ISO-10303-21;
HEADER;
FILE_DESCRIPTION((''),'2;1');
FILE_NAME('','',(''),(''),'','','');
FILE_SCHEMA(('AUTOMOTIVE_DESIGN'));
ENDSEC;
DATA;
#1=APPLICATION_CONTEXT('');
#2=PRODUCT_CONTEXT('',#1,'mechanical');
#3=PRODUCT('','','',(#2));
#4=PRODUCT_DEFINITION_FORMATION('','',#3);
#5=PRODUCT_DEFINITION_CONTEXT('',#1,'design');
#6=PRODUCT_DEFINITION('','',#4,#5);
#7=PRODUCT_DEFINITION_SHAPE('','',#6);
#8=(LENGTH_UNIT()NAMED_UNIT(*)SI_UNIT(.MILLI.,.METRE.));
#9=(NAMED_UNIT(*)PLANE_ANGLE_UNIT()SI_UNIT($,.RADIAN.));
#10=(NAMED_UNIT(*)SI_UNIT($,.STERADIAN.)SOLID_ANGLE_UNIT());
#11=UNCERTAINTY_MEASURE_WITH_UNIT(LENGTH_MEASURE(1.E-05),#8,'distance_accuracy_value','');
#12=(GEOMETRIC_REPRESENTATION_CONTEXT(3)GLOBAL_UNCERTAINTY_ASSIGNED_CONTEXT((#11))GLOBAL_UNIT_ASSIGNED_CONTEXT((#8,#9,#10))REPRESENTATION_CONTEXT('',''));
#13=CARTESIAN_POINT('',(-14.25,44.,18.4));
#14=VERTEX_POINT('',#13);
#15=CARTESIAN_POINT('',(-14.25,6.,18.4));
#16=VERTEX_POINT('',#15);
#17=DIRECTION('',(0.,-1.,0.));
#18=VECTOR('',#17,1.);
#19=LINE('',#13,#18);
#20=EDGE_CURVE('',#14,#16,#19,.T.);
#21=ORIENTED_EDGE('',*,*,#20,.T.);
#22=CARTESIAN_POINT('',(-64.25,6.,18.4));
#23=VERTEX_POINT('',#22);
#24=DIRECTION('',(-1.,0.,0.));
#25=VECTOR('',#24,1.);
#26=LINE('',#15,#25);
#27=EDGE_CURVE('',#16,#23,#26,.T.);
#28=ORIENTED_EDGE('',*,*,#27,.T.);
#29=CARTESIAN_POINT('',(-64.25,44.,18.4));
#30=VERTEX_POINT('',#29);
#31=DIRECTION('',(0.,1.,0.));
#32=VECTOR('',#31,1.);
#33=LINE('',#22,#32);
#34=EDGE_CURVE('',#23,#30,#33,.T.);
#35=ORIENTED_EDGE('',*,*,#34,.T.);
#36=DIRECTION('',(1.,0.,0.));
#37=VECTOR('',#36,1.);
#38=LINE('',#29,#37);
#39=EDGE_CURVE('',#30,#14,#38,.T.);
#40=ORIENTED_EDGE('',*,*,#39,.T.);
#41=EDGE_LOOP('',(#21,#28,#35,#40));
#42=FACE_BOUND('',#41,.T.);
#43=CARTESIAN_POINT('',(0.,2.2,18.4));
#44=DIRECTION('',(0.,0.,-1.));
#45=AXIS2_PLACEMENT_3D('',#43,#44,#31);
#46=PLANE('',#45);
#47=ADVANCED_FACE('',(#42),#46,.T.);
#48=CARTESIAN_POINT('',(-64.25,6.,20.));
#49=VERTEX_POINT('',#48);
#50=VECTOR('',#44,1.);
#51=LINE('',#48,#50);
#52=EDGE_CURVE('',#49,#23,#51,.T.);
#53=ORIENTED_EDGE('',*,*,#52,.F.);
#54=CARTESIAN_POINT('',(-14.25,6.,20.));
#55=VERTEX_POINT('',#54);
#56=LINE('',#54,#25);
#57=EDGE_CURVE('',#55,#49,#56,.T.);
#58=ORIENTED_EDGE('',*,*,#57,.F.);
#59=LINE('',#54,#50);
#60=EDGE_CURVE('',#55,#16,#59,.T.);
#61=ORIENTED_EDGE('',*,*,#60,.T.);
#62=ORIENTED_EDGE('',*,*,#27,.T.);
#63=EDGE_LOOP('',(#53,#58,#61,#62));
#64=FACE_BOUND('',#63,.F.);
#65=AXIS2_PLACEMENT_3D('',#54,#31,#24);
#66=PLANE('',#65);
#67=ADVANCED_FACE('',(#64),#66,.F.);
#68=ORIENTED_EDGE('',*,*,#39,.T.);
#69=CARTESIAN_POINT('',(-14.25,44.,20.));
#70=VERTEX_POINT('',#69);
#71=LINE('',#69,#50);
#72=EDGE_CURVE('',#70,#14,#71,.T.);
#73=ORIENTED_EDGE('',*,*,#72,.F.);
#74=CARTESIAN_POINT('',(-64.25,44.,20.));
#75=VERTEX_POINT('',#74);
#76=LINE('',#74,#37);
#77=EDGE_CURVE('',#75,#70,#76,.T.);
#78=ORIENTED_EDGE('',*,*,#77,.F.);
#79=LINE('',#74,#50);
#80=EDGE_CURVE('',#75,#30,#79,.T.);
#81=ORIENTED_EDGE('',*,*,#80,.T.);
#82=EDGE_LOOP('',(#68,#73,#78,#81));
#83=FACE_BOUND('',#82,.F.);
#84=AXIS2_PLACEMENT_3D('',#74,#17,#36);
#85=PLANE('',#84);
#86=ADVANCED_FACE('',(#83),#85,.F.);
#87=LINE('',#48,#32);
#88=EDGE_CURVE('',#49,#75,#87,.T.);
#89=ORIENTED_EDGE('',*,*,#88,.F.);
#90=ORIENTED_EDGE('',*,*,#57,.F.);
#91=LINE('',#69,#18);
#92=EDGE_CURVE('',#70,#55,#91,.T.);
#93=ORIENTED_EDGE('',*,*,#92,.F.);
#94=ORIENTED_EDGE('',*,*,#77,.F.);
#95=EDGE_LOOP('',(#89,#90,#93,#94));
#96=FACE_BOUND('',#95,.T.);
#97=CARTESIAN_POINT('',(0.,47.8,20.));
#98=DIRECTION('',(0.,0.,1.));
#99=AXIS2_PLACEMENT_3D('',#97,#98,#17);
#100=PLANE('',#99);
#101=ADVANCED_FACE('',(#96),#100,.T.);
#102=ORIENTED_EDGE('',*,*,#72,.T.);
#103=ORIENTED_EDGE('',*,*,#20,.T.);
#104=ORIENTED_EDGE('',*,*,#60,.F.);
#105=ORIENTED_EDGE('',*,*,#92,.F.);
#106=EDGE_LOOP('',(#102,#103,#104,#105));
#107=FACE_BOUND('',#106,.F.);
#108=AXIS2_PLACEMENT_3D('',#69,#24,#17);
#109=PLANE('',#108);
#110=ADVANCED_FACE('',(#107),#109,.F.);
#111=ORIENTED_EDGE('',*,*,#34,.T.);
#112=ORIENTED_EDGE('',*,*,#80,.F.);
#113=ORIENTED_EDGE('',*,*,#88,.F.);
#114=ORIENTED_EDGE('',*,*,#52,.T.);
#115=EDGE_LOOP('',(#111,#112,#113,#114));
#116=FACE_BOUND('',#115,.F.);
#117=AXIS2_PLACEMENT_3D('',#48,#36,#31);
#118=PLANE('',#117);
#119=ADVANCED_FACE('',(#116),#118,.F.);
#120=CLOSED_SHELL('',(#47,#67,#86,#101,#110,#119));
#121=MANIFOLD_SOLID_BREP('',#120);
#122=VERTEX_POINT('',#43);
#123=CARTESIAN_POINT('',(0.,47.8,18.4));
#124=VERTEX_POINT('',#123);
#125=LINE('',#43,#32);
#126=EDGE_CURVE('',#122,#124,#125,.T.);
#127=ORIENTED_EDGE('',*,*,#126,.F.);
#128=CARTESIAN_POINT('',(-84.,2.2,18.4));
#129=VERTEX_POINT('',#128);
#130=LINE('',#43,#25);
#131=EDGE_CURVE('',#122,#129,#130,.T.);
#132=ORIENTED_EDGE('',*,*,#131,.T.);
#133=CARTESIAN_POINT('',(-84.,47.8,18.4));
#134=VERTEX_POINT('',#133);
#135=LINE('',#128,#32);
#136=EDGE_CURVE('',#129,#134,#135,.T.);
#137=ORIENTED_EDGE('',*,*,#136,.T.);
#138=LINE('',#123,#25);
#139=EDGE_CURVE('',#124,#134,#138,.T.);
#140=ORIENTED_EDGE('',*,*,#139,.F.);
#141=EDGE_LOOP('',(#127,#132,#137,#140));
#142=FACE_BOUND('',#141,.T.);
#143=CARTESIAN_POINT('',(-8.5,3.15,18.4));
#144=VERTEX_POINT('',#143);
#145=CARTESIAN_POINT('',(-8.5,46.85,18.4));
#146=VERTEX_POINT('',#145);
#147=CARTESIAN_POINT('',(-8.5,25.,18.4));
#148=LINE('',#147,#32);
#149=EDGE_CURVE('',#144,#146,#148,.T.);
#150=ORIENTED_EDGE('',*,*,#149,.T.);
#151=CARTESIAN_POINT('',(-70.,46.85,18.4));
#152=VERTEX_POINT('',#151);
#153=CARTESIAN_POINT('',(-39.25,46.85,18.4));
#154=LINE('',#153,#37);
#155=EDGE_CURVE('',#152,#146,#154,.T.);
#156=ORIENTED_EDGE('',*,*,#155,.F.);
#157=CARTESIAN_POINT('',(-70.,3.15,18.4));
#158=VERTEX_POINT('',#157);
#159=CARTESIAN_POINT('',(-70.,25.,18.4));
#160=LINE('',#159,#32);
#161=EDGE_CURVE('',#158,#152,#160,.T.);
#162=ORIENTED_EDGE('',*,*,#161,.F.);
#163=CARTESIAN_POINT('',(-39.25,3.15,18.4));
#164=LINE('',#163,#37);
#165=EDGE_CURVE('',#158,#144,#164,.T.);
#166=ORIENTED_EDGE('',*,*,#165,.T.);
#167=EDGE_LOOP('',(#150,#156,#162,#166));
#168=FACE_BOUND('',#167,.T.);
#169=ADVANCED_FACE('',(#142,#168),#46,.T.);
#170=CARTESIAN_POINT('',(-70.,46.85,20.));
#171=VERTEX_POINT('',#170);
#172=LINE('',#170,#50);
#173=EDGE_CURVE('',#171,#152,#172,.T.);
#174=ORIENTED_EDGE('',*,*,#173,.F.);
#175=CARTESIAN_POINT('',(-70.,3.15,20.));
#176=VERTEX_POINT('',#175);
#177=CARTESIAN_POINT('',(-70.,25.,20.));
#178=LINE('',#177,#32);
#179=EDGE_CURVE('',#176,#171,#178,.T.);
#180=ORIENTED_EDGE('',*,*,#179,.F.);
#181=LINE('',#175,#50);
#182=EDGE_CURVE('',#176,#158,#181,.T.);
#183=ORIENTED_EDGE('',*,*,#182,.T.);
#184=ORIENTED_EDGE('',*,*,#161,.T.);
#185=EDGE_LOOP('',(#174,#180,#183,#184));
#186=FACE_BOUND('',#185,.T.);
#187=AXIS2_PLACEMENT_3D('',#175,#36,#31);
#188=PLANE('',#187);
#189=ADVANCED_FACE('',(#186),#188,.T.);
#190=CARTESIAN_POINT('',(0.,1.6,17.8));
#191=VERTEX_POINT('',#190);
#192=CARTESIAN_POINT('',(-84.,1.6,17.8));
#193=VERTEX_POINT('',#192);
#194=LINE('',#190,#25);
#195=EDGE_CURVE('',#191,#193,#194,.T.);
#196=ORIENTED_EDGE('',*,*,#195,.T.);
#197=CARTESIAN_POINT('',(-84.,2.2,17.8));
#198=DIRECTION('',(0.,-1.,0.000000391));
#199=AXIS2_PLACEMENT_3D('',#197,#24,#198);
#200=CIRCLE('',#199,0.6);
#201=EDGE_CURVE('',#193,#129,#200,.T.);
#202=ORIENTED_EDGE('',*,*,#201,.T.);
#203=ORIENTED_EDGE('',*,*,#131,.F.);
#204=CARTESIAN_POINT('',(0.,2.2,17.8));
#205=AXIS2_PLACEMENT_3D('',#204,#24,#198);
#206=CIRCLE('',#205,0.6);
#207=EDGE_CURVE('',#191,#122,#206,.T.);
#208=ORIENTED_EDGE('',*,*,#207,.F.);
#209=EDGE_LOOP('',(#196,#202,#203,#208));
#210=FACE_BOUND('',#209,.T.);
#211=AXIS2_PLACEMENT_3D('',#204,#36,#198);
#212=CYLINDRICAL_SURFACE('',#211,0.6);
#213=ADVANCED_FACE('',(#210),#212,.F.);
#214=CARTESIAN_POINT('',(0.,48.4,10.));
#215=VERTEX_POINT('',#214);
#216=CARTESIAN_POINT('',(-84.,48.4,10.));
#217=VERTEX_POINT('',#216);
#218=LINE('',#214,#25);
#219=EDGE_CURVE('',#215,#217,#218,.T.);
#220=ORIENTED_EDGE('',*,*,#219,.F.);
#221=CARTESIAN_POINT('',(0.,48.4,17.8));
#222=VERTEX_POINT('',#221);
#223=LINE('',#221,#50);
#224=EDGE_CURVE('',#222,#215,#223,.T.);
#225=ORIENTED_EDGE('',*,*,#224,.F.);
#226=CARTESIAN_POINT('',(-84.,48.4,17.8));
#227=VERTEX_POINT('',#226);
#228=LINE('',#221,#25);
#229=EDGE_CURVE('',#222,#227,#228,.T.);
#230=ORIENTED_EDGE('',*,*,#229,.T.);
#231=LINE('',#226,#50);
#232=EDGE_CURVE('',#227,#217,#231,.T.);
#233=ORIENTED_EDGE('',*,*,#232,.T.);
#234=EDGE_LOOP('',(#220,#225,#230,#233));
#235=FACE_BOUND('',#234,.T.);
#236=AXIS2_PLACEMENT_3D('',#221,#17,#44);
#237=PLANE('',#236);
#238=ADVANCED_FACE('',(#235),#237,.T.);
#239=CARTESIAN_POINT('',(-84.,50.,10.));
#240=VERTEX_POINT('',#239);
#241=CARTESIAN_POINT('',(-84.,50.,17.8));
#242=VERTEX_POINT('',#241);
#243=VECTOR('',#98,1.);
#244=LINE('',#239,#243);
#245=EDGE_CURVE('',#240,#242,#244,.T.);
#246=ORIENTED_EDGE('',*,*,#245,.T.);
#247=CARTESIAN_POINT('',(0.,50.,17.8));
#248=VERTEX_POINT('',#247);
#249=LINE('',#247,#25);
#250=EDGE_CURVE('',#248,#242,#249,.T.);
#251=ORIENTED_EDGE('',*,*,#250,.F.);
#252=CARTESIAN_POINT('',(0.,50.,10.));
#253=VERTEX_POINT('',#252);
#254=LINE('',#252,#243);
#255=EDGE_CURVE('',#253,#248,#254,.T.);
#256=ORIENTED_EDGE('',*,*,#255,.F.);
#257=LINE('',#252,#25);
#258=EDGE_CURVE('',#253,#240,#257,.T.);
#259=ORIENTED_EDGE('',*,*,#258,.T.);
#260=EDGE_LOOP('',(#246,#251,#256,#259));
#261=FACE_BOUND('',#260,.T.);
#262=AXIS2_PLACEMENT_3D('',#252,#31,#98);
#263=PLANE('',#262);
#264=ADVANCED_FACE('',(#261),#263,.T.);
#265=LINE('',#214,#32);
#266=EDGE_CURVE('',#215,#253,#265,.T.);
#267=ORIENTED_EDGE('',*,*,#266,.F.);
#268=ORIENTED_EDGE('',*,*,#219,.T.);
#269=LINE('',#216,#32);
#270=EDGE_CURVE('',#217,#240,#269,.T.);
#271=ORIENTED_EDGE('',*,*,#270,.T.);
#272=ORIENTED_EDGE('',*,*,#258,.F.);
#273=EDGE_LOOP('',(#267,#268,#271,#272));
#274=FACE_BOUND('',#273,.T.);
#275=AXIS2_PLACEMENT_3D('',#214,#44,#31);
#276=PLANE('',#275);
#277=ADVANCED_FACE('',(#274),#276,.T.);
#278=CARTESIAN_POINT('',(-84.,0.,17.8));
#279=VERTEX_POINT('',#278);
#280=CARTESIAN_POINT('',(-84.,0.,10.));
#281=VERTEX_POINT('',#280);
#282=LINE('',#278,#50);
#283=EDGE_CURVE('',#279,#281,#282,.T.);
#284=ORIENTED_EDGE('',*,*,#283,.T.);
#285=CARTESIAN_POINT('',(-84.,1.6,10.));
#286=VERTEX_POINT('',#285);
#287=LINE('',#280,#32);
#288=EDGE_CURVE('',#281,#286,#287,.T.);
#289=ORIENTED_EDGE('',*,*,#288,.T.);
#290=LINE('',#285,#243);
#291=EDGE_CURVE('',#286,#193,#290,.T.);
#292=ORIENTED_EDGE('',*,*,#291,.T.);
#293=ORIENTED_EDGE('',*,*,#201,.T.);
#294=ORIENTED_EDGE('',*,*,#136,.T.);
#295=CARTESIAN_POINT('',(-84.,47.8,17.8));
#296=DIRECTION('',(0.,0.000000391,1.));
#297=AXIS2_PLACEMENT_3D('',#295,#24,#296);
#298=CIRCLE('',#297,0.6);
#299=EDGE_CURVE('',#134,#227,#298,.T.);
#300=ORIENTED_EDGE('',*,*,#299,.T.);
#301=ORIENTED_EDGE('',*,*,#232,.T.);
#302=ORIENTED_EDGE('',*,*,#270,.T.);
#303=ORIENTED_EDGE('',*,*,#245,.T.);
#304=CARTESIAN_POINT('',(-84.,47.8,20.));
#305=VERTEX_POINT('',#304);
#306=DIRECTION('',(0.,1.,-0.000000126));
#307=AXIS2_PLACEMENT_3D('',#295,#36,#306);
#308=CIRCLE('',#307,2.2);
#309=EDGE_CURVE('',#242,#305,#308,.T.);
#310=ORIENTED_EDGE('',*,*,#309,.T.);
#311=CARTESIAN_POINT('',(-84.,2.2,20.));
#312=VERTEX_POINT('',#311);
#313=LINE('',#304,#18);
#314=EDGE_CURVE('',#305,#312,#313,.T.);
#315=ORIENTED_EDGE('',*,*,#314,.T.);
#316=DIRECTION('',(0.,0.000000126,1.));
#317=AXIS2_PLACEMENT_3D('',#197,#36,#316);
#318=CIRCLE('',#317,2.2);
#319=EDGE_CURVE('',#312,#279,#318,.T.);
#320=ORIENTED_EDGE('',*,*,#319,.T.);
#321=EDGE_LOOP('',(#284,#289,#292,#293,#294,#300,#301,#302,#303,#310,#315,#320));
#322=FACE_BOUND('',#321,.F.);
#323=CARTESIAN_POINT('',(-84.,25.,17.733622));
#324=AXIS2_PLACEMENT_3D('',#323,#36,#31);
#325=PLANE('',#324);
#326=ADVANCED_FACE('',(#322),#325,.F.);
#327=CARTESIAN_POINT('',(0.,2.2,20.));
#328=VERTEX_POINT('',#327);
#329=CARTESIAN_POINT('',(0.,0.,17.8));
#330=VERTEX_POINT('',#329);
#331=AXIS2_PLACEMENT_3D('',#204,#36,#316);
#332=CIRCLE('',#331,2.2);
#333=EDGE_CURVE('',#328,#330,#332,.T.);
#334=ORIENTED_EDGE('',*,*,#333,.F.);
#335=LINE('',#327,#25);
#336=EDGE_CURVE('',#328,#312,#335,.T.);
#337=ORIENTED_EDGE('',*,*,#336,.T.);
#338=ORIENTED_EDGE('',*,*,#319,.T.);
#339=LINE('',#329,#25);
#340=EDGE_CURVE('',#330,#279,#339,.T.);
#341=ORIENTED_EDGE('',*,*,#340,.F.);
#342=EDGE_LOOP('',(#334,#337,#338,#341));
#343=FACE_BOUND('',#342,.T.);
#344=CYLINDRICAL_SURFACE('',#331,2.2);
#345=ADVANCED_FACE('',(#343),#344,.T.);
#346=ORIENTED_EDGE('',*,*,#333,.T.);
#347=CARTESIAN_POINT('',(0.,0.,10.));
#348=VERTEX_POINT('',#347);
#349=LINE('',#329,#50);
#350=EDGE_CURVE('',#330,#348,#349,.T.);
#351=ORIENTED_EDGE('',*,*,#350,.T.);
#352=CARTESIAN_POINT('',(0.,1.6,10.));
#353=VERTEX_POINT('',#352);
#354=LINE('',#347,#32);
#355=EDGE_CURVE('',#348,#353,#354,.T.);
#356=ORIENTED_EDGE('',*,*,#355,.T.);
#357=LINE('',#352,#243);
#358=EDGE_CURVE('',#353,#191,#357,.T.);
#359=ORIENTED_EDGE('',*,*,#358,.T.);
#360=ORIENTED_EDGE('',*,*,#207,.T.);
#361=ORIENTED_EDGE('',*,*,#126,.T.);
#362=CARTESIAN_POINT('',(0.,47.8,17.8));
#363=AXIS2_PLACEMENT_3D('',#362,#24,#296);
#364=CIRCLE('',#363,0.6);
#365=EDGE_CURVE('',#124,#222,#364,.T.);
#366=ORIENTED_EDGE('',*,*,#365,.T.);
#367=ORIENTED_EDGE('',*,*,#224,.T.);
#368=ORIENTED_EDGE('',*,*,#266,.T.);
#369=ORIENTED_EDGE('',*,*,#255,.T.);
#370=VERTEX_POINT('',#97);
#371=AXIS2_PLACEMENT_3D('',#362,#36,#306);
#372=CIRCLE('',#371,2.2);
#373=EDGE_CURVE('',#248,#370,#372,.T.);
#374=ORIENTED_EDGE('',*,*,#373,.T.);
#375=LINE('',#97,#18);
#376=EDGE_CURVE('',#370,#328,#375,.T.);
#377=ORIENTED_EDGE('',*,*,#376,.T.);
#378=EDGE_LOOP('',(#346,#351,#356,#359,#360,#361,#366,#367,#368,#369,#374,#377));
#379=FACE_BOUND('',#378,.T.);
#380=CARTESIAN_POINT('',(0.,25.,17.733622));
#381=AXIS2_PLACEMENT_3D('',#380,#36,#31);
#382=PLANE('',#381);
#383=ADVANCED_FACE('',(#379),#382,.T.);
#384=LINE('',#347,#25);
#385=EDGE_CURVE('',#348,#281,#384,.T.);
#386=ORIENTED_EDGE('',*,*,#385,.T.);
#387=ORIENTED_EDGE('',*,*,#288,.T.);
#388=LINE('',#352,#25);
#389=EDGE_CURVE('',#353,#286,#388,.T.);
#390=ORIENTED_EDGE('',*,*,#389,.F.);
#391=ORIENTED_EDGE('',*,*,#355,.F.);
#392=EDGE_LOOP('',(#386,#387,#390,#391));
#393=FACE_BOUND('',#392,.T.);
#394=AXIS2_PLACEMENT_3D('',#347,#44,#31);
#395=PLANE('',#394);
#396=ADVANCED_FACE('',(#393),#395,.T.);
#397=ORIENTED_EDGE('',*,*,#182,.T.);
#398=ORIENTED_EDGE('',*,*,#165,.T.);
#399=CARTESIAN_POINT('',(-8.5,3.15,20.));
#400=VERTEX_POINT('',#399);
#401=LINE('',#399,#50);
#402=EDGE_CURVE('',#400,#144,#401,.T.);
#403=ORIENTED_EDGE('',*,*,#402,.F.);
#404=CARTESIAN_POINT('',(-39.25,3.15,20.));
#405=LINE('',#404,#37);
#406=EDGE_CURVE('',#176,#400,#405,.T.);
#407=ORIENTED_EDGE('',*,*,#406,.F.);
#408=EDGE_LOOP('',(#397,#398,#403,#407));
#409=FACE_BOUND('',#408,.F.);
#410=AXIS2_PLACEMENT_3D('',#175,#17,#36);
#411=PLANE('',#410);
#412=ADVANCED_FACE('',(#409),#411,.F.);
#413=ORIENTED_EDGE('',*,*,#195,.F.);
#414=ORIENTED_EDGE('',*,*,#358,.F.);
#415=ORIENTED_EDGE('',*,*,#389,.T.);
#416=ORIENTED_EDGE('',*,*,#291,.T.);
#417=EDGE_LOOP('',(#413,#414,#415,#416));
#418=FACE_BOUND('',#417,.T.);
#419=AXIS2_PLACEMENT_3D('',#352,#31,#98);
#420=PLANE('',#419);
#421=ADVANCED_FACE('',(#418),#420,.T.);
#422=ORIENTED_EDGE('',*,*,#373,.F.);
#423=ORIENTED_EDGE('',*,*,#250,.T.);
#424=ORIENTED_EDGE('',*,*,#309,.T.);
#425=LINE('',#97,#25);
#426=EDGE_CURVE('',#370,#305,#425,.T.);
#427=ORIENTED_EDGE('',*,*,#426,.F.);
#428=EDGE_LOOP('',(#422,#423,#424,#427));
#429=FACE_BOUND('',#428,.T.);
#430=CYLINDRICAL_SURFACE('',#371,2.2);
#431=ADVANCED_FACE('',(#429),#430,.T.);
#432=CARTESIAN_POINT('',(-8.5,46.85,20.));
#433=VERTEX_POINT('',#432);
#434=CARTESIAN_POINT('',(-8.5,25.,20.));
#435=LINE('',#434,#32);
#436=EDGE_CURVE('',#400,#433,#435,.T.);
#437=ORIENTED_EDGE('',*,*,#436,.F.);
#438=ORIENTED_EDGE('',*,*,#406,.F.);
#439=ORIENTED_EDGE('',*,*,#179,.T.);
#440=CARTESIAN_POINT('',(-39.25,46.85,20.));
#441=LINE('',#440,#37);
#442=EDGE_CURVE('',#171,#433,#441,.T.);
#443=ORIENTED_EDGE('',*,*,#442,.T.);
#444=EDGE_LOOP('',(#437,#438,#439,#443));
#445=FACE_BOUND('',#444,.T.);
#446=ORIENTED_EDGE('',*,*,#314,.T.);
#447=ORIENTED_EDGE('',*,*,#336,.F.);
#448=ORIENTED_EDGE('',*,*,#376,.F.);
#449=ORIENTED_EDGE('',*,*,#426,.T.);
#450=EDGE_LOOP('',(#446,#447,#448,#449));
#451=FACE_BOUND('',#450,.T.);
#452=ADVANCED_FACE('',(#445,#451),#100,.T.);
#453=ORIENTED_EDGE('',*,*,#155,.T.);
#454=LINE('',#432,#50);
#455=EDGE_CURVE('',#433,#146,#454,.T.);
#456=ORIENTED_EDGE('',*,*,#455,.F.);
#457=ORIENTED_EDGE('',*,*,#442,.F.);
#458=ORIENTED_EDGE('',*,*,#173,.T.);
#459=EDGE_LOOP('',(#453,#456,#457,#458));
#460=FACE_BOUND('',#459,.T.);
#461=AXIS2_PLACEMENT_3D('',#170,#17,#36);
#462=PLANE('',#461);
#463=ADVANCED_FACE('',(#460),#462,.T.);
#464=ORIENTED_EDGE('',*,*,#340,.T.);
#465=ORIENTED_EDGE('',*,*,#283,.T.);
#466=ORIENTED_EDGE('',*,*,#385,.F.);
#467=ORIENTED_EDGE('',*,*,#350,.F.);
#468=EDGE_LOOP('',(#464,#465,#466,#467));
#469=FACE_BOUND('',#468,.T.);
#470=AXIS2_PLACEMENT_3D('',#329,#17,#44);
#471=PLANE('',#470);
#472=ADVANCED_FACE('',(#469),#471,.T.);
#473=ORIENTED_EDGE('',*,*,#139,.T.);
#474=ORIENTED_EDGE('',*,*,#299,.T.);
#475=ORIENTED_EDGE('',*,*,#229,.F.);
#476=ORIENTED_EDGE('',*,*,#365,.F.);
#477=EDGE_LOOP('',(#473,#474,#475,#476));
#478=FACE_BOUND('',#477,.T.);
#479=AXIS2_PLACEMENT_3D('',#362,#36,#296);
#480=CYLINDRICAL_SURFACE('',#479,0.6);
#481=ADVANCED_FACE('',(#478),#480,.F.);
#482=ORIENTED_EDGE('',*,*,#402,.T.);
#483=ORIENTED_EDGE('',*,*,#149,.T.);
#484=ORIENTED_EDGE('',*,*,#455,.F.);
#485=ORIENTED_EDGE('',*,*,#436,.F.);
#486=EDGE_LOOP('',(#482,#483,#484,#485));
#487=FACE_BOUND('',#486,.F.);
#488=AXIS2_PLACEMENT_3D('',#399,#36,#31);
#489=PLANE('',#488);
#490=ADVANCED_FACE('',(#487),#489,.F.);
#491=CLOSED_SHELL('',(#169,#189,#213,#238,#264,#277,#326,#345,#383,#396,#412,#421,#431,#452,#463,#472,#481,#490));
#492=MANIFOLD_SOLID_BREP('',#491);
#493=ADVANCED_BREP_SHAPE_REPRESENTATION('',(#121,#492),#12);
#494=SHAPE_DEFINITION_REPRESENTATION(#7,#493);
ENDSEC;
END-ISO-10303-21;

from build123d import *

# Parameters (mm, degrees)
F1_DEPTH = 84
F2_W     = 61.5
F2_H     = 43.7
F3_DEPTH = 1.6


with BuildPart() as f1:
    # F0 (on Right) → F1 (new body)
    with BuildSketch(Plane.YZ):
        with BuildLine():
            Line((47.8, 20), (2.2, 20))
            ThreePointArc((2.2, 20), (0.644365, 19.355635), (0, 17.8))
            Line((0, 17.8), (0, 10))
            Line((0, 10), (1.6, 10))
            Line((1.6, 10), (1.6, 17.8))
            ThreePointArc((1.6, 17.8), (1.775736, 18.224264), (2.2, 18.4))
            Line((2.2, 18.4), (47.8, 18.4))
            ThreePointArc((47.8, 18.4), (48.224264, 18.224264), (48.4, 17.8))
            Line((48.4, 17.8), (48.4, 10))
            Line((48.4, 10), (50, 10))
            Line((50, 10), (50, 17.8))
            ThreePointArc((50, 17.8), (49.355635, 19.355635), (47.8, 20))
        make_face()
    extrude(amount=-F1_DEPTH)

    # F2 (on face) → F3 (cut, through all)
    with BuildSketch(Plane.XY.offset(20)):
        with Locations((-39.25, 25)):
            Rectangle(F2_W, F2_H)
        Polygon((-64.25, 6), (-64.25, 44), (-48.263893, 44), (-24.203168, 44), (-14.25, 44), (-14.25, 6), align=None, mode=Mode.SUBTRACT)
    extrude(amount=-F3_DEPTH, mode=Mode.SUBTRACT)


solid = f1.part
